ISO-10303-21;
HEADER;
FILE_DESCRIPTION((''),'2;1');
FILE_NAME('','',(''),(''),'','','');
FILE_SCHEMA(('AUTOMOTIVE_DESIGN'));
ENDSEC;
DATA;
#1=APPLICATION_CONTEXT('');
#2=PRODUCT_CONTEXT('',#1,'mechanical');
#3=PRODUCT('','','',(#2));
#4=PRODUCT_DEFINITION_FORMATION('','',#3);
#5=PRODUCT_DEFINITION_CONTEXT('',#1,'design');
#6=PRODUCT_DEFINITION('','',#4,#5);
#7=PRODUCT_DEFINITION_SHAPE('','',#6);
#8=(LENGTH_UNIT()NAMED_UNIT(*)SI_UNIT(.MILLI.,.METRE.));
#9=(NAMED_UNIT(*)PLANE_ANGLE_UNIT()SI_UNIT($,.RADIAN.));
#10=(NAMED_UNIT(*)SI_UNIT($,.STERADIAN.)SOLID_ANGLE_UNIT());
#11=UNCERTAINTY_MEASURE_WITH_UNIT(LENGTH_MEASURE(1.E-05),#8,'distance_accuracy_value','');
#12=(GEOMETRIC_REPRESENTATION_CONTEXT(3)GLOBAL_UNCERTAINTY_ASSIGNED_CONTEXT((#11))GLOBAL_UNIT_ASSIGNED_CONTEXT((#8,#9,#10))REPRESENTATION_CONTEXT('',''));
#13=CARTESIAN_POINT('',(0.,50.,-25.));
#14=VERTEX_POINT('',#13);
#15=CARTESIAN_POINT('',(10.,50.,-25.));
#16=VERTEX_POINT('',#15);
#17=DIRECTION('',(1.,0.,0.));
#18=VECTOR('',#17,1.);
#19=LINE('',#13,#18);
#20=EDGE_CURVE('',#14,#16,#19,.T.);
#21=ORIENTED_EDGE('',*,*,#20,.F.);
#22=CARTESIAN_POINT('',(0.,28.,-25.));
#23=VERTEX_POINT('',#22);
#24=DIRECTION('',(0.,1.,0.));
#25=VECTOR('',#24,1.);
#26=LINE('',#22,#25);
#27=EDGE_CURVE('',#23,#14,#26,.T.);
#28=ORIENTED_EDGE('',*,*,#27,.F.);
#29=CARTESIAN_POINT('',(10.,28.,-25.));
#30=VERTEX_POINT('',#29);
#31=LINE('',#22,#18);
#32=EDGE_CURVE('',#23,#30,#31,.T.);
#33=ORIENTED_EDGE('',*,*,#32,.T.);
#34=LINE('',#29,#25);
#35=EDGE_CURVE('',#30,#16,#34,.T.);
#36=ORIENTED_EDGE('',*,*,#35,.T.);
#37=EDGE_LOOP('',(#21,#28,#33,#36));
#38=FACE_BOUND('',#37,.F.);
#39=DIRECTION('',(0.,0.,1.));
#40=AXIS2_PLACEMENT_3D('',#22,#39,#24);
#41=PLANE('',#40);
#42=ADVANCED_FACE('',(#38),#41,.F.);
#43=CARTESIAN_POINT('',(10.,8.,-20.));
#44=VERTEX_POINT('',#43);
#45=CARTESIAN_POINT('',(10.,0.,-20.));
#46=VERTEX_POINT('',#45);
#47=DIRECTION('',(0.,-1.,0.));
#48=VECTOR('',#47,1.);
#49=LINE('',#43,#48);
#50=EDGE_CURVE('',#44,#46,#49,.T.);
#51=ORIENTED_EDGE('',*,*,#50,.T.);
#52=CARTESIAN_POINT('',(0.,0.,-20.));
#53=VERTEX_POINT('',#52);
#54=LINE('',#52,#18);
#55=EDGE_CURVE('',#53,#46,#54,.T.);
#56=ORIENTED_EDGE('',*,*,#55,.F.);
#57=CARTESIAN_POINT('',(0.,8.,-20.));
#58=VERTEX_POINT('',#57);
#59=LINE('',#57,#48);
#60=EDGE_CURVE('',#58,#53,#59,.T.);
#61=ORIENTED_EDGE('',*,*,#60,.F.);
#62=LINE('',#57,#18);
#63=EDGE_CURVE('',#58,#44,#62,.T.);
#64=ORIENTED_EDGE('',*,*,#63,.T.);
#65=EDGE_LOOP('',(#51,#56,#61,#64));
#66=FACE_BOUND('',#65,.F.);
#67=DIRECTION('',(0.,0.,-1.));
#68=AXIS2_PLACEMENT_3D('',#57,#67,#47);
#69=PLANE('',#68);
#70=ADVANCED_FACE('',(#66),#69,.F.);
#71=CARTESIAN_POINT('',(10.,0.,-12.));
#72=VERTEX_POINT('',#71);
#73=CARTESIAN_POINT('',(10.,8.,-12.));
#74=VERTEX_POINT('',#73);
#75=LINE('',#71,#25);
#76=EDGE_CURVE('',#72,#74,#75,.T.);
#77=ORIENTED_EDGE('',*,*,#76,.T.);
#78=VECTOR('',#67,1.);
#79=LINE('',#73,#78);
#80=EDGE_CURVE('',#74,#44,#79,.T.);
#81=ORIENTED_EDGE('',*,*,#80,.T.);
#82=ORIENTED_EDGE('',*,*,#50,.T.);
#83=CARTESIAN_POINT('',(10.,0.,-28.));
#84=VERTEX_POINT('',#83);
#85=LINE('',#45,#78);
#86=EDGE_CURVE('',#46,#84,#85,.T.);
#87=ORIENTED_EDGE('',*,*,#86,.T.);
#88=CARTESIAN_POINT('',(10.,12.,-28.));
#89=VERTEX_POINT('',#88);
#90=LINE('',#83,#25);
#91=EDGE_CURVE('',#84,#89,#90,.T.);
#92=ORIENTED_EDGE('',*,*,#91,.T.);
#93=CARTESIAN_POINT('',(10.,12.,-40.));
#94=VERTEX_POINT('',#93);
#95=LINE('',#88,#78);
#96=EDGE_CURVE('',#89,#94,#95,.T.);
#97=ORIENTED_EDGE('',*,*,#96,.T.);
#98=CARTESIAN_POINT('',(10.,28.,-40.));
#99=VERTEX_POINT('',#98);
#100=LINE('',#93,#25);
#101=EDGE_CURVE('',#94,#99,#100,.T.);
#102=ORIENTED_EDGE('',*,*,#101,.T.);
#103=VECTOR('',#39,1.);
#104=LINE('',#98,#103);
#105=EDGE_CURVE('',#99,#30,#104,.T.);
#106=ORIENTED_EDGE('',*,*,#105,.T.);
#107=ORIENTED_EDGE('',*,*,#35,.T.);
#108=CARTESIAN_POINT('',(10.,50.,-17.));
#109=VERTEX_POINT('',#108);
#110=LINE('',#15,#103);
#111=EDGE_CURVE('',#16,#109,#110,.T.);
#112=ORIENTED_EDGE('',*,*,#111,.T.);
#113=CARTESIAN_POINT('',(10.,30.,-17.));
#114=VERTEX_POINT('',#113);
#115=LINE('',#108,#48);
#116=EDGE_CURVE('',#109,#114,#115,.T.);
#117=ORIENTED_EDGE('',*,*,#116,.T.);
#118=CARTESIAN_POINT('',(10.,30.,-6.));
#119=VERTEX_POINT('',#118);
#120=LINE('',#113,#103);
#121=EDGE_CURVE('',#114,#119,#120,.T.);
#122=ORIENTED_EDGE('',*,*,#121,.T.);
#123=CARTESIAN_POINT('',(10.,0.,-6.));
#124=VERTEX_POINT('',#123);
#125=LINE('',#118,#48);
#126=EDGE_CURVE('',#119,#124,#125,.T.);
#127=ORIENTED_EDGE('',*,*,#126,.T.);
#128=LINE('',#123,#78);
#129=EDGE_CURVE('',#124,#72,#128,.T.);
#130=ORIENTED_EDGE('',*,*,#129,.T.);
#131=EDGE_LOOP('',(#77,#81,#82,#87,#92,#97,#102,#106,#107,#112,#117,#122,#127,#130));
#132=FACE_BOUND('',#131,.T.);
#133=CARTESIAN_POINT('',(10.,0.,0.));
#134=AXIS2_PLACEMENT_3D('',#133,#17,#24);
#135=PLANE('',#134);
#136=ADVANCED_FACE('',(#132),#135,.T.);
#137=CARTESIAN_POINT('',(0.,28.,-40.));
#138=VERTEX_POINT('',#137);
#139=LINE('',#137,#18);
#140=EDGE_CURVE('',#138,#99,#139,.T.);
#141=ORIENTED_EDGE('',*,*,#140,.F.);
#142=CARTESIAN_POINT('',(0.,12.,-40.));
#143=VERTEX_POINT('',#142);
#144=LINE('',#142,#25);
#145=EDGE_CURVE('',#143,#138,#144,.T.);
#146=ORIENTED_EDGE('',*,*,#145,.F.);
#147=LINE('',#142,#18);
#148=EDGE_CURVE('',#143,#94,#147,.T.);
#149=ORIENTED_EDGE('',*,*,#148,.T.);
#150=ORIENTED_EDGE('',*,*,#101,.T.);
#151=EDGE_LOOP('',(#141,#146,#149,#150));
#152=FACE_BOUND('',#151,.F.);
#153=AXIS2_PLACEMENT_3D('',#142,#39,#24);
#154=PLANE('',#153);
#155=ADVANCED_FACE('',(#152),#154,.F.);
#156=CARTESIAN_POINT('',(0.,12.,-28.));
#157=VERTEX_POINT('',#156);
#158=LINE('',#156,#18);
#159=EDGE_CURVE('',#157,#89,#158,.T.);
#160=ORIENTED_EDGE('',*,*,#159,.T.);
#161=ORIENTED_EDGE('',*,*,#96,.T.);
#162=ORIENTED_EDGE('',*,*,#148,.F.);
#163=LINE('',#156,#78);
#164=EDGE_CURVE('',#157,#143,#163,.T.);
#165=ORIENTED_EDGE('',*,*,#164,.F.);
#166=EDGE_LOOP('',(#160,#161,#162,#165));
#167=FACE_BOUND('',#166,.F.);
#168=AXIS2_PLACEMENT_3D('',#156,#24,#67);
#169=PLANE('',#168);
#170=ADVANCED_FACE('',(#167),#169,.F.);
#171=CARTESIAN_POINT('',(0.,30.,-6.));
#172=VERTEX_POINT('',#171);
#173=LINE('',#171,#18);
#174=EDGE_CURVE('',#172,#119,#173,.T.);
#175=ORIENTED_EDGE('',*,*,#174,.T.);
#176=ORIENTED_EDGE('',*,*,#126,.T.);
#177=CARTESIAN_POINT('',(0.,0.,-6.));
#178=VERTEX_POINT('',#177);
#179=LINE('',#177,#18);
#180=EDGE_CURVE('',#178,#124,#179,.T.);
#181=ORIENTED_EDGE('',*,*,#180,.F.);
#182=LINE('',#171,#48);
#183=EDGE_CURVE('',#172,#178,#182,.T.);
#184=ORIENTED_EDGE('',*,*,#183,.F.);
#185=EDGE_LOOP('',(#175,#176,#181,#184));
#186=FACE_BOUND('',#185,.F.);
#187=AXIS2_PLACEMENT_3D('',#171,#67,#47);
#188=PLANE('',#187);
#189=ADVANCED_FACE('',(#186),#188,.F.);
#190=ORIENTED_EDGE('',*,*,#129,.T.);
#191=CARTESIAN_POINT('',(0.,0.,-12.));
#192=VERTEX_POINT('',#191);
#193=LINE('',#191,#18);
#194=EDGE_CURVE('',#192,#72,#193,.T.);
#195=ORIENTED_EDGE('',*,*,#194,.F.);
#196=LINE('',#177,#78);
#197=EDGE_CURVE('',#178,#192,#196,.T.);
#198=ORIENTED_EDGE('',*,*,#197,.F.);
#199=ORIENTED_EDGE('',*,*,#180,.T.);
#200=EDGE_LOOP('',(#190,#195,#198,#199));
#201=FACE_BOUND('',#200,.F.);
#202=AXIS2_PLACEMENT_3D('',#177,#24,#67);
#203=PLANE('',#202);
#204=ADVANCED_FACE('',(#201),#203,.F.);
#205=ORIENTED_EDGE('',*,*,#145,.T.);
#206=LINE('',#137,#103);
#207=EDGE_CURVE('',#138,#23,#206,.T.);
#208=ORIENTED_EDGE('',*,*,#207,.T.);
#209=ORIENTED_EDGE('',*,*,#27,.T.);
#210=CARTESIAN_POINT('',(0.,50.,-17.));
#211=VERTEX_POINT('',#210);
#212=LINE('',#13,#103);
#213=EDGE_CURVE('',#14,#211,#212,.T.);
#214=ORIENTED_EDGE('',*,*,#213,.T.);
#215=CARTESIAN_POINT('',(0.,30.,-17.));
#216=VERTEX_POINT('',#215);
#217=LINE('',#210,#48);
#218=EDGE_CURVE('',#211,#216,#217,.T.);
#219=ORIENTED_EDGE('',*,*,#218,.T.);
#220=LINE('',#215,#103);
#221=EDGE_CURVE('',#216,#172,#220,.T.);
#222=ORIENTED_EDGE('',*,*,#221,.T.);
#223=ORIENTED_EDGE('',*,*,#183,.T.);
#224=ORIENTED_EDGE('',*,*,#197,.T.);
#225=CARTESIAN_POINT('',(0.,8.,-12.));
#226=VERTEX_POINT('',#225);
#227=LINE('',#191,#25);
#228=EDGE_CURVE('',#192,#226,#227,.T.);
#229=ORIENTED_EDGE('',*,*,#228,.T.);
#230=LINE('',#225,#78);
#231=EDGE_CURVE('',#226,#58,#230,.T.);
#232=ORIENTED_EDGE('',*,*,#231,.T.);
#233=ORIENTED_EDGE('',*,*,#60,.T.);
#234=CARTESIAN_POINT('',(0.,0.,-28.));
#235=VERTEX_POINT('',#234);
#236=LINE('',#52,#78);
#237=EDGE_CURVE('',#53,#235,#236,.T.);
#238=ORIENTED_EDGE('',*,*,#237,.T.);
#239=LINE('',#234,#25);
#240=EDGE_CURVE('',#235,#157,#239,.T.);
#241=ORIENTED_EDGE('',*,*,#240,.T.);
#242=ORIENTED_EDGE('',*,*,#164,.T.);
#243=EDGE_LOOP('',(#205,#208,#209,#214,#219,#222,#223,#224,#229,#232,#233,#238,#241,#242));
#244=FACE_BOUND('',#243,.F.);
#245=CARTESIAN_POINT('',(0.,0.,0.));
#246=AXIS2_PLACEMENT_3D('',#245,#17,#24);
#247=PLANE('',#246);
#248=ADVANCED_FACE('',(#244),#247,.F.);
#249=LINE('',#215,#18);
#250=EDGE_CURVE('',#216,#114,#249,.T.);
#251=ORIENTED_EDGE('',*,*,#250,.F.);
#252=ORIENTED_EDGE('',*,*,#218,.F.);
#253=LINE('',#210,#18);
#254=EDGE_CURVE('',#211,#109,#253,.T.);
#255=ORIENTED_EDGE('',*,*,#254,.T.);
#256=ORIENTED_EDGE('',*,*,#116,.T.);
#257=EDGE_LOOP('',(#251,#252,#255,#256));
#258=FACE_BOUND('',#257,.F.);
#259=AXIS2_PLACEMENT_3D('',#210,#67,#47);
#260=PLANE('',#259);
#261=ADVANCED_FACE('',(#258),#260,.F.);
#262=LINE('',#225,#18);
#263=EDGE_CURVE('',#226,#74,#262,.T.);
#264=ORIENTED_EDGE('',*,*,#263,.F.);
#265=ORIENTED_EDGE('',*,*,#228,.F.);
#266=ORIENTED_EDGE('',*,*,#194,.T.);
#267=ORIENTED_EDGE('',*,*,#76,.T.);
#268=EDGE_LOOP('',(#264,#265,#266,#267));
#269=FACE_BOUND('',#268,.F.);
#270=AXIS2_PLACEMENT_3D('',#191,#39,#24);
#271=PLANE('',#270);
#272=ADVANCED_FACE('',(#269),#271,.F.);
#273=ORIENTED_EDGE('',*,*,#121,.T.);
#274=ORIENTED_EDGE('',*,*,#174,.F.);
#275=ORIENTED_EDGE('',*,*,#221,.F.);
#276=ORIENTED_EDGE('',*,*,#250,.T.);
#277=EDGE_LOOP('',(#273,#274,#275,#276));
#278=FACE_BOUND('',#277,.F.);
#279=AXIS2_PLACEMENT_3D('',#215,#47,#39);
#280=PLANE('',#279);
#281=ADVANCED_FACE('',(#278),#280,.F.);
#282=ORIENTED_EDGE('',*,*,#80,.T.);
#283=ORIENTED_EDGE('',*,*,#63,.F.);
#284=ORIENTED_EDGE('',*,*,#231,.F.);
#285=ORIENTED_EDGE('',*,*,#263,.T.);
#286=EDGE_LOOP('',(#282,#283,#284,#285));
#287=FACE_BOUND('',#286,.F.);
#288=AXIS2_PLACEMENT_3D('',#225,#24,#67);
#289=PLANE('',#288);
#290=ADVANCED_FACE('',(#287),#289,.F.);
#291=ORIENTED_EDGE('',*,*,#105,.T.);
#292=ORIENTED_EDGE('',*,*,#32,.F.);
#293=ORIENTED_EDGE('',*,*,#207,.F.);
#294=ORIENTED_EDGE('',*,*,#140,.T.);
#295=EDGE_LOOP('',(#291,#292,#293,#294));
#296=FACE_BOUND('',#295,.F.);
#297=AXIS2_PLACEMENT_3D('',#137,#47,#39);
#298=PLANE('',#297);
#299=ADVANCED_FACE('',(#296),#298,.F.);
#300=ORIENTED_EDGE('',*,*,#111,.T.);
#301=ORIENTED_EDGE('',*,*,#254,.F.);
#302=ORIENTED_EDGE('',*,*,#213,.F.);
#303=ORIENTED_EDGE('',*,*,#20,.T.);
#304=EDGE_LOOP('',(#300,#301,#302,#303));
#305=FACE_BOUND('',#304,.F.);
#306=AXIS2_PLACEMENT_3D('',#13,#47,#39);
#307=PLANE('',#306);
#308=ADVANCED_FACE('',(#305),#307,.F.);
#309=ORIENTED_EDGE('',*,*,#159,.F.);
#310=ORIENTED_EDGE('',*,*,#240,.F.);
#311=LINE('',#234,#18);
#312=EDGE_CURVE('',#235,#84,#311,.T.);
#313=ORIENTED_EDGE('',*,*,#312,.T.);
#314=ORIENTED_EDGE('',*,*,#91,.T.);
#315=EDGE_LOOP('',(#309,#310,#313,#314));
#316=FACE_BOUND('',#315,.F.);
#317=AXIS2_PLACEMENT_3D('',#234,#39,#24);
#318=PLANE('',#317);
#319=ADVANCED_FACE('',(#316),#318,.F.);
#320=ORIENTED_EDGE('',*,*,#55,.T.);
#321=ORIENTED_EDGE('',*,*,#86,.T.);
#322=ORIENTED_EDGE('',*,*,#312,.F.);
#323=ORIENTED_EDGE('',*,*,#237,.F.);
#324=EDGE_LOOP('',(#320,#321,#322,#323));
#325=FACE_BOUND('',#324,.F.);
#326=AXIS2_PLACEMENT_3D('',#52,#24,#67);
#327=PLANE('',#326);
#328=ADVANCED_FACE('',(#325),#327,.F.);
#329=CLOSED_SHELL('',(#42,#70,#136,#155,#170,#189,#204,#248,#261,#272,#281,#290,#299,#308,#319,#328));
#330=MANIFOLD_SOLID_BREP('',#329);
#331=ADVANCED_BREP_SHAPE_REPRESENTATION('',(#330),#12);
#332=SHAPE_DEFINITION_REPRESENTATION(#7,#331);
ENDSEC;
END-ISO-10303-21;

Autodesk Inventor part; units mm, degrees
ref_plane "YZ Plane" through (0, 0, 0) normal (1, 0, 0) x (0, 1, 0)
ref_plane "XZ Plane" through (0, 0, 0) normal (0, 1, 0) x (-1, 0, 0)
ref_plane "XY Plane" through (0, 0, 0) normal (0, 0, 1) x (1, 0, 0)
sketch "Эскиз1" plane through (0, 0, 0) normal (1, 0, 0) x (0, 1, 0)
  line L0 (0, -6) -> (0, -12)
  line L1 (0, -12) -> (8, -12)
  line L2 (8, -12) -> (8, -20)
  line L3 (8, -20) -> (0, -20)
  line L4 (0, -20) -> (0, -28)
  line L5 (0, -28) -> (12, -28)
  line L6 (12, -28) -> (12, -40)
  line L7 (12, -40) -> (28, -40)
  line L8 (28, -40) -> (28, -25)
  line L9 (28, -25) -> (50, -25)
  line L10 (50, -25) -> (50, -17)
  line L11 (50, -17) -> (30, -17)
  line L12 (30, -17) -> (30, -6)
  line L13 (30, -6) -> (0, -6)
  point P0 (0, 0)
extrude "Выдавливание1" add sketch "Эскиз1" along normal blind 10
properties part number "task3"
